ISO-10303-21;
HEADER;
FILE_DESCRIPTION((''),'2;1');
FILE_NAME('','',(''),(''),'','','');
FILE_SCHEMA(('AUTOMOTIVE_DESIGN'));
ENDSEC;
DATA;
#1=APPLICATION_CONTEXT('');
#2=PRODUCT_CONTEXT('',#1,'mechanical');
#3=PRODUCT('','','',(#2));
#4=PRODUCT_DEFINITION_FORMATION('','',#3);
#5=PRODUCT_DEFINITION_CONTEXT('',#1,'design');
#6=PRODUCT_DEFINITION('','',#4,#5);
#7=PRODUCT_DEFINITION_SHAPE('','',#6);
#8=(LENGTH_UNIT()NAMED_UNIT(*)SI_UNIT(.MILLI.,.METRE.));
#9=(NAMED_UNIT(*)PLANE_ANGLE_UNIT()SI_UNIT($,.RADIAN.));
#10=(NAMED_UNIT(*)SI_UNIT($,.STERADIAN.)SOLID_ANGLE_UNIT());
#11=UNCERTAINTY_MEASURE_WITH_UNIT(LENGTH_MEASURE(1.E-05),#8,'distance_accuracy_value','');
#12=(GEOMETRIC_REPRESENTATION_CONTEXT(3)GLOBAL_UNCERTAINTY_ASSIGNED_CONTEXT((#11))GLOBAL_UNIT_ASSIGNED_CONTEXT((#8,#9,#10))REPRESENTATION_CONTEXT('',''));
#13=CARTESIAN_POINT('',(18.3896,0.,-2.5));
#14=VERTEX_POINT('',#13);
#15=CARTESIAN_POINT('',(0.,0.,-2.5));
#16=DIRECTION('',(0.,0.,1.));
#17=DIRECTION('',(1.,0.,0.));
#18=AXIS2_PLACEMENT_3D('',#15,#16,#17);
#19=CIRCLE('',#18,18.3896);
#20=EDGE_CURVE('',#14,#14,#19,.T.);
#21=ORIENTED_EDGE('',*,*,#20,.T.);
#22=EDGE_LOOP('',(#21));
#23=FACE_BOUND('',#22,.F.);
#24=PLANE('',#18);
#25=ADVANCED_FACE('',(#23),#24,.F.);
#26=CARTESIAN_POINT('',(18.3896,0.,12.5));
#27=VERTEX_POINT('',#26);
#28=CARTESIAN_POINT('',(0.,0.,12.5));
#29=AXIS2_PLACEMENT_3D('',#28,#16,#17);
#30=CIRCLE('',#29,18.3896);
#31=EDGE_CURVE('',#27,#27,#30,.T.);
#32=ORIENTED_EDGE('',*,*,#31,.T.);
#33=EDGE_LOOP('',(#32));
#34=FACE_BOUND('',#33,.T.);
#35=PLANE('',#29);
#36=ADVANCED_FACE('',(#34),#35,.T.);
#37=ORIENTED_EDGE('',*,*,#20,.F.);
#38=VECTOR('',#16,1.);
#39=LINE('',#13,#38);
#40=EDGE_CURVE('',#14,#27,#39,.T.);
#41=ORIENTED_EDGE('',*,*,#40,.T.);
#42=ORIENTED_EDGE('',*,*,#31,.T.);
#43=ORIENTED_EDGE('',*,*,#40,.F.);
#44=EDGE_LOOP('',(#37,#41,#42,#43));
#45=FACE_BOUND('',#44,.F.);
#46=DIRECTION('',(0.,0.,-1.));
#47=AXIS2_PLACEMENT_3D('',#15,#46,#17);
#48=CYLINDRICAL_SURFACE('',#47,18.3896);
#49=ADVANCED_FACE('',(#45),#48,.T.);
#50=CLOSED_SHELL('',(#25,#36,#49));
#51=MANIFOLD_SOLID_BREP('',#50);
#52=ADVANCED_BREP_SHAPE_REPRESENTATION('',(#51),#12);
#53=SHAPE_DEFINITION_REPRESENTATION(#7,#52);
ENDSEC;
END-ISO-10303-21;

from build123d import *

# Parameters (mm, degrees)
CYLINDER_R     = 18.3896
CYLINDER_DEPTH = 15


with BuildPart() as part:
    # Cylinder → Cylinder (new body)
    with BuildSketch(Plane.XY.offset(-2.5)):
        Circle(CYLINDER_R)
    extrude(amount=CYLINDER_DEPTH)


solid = part.part
